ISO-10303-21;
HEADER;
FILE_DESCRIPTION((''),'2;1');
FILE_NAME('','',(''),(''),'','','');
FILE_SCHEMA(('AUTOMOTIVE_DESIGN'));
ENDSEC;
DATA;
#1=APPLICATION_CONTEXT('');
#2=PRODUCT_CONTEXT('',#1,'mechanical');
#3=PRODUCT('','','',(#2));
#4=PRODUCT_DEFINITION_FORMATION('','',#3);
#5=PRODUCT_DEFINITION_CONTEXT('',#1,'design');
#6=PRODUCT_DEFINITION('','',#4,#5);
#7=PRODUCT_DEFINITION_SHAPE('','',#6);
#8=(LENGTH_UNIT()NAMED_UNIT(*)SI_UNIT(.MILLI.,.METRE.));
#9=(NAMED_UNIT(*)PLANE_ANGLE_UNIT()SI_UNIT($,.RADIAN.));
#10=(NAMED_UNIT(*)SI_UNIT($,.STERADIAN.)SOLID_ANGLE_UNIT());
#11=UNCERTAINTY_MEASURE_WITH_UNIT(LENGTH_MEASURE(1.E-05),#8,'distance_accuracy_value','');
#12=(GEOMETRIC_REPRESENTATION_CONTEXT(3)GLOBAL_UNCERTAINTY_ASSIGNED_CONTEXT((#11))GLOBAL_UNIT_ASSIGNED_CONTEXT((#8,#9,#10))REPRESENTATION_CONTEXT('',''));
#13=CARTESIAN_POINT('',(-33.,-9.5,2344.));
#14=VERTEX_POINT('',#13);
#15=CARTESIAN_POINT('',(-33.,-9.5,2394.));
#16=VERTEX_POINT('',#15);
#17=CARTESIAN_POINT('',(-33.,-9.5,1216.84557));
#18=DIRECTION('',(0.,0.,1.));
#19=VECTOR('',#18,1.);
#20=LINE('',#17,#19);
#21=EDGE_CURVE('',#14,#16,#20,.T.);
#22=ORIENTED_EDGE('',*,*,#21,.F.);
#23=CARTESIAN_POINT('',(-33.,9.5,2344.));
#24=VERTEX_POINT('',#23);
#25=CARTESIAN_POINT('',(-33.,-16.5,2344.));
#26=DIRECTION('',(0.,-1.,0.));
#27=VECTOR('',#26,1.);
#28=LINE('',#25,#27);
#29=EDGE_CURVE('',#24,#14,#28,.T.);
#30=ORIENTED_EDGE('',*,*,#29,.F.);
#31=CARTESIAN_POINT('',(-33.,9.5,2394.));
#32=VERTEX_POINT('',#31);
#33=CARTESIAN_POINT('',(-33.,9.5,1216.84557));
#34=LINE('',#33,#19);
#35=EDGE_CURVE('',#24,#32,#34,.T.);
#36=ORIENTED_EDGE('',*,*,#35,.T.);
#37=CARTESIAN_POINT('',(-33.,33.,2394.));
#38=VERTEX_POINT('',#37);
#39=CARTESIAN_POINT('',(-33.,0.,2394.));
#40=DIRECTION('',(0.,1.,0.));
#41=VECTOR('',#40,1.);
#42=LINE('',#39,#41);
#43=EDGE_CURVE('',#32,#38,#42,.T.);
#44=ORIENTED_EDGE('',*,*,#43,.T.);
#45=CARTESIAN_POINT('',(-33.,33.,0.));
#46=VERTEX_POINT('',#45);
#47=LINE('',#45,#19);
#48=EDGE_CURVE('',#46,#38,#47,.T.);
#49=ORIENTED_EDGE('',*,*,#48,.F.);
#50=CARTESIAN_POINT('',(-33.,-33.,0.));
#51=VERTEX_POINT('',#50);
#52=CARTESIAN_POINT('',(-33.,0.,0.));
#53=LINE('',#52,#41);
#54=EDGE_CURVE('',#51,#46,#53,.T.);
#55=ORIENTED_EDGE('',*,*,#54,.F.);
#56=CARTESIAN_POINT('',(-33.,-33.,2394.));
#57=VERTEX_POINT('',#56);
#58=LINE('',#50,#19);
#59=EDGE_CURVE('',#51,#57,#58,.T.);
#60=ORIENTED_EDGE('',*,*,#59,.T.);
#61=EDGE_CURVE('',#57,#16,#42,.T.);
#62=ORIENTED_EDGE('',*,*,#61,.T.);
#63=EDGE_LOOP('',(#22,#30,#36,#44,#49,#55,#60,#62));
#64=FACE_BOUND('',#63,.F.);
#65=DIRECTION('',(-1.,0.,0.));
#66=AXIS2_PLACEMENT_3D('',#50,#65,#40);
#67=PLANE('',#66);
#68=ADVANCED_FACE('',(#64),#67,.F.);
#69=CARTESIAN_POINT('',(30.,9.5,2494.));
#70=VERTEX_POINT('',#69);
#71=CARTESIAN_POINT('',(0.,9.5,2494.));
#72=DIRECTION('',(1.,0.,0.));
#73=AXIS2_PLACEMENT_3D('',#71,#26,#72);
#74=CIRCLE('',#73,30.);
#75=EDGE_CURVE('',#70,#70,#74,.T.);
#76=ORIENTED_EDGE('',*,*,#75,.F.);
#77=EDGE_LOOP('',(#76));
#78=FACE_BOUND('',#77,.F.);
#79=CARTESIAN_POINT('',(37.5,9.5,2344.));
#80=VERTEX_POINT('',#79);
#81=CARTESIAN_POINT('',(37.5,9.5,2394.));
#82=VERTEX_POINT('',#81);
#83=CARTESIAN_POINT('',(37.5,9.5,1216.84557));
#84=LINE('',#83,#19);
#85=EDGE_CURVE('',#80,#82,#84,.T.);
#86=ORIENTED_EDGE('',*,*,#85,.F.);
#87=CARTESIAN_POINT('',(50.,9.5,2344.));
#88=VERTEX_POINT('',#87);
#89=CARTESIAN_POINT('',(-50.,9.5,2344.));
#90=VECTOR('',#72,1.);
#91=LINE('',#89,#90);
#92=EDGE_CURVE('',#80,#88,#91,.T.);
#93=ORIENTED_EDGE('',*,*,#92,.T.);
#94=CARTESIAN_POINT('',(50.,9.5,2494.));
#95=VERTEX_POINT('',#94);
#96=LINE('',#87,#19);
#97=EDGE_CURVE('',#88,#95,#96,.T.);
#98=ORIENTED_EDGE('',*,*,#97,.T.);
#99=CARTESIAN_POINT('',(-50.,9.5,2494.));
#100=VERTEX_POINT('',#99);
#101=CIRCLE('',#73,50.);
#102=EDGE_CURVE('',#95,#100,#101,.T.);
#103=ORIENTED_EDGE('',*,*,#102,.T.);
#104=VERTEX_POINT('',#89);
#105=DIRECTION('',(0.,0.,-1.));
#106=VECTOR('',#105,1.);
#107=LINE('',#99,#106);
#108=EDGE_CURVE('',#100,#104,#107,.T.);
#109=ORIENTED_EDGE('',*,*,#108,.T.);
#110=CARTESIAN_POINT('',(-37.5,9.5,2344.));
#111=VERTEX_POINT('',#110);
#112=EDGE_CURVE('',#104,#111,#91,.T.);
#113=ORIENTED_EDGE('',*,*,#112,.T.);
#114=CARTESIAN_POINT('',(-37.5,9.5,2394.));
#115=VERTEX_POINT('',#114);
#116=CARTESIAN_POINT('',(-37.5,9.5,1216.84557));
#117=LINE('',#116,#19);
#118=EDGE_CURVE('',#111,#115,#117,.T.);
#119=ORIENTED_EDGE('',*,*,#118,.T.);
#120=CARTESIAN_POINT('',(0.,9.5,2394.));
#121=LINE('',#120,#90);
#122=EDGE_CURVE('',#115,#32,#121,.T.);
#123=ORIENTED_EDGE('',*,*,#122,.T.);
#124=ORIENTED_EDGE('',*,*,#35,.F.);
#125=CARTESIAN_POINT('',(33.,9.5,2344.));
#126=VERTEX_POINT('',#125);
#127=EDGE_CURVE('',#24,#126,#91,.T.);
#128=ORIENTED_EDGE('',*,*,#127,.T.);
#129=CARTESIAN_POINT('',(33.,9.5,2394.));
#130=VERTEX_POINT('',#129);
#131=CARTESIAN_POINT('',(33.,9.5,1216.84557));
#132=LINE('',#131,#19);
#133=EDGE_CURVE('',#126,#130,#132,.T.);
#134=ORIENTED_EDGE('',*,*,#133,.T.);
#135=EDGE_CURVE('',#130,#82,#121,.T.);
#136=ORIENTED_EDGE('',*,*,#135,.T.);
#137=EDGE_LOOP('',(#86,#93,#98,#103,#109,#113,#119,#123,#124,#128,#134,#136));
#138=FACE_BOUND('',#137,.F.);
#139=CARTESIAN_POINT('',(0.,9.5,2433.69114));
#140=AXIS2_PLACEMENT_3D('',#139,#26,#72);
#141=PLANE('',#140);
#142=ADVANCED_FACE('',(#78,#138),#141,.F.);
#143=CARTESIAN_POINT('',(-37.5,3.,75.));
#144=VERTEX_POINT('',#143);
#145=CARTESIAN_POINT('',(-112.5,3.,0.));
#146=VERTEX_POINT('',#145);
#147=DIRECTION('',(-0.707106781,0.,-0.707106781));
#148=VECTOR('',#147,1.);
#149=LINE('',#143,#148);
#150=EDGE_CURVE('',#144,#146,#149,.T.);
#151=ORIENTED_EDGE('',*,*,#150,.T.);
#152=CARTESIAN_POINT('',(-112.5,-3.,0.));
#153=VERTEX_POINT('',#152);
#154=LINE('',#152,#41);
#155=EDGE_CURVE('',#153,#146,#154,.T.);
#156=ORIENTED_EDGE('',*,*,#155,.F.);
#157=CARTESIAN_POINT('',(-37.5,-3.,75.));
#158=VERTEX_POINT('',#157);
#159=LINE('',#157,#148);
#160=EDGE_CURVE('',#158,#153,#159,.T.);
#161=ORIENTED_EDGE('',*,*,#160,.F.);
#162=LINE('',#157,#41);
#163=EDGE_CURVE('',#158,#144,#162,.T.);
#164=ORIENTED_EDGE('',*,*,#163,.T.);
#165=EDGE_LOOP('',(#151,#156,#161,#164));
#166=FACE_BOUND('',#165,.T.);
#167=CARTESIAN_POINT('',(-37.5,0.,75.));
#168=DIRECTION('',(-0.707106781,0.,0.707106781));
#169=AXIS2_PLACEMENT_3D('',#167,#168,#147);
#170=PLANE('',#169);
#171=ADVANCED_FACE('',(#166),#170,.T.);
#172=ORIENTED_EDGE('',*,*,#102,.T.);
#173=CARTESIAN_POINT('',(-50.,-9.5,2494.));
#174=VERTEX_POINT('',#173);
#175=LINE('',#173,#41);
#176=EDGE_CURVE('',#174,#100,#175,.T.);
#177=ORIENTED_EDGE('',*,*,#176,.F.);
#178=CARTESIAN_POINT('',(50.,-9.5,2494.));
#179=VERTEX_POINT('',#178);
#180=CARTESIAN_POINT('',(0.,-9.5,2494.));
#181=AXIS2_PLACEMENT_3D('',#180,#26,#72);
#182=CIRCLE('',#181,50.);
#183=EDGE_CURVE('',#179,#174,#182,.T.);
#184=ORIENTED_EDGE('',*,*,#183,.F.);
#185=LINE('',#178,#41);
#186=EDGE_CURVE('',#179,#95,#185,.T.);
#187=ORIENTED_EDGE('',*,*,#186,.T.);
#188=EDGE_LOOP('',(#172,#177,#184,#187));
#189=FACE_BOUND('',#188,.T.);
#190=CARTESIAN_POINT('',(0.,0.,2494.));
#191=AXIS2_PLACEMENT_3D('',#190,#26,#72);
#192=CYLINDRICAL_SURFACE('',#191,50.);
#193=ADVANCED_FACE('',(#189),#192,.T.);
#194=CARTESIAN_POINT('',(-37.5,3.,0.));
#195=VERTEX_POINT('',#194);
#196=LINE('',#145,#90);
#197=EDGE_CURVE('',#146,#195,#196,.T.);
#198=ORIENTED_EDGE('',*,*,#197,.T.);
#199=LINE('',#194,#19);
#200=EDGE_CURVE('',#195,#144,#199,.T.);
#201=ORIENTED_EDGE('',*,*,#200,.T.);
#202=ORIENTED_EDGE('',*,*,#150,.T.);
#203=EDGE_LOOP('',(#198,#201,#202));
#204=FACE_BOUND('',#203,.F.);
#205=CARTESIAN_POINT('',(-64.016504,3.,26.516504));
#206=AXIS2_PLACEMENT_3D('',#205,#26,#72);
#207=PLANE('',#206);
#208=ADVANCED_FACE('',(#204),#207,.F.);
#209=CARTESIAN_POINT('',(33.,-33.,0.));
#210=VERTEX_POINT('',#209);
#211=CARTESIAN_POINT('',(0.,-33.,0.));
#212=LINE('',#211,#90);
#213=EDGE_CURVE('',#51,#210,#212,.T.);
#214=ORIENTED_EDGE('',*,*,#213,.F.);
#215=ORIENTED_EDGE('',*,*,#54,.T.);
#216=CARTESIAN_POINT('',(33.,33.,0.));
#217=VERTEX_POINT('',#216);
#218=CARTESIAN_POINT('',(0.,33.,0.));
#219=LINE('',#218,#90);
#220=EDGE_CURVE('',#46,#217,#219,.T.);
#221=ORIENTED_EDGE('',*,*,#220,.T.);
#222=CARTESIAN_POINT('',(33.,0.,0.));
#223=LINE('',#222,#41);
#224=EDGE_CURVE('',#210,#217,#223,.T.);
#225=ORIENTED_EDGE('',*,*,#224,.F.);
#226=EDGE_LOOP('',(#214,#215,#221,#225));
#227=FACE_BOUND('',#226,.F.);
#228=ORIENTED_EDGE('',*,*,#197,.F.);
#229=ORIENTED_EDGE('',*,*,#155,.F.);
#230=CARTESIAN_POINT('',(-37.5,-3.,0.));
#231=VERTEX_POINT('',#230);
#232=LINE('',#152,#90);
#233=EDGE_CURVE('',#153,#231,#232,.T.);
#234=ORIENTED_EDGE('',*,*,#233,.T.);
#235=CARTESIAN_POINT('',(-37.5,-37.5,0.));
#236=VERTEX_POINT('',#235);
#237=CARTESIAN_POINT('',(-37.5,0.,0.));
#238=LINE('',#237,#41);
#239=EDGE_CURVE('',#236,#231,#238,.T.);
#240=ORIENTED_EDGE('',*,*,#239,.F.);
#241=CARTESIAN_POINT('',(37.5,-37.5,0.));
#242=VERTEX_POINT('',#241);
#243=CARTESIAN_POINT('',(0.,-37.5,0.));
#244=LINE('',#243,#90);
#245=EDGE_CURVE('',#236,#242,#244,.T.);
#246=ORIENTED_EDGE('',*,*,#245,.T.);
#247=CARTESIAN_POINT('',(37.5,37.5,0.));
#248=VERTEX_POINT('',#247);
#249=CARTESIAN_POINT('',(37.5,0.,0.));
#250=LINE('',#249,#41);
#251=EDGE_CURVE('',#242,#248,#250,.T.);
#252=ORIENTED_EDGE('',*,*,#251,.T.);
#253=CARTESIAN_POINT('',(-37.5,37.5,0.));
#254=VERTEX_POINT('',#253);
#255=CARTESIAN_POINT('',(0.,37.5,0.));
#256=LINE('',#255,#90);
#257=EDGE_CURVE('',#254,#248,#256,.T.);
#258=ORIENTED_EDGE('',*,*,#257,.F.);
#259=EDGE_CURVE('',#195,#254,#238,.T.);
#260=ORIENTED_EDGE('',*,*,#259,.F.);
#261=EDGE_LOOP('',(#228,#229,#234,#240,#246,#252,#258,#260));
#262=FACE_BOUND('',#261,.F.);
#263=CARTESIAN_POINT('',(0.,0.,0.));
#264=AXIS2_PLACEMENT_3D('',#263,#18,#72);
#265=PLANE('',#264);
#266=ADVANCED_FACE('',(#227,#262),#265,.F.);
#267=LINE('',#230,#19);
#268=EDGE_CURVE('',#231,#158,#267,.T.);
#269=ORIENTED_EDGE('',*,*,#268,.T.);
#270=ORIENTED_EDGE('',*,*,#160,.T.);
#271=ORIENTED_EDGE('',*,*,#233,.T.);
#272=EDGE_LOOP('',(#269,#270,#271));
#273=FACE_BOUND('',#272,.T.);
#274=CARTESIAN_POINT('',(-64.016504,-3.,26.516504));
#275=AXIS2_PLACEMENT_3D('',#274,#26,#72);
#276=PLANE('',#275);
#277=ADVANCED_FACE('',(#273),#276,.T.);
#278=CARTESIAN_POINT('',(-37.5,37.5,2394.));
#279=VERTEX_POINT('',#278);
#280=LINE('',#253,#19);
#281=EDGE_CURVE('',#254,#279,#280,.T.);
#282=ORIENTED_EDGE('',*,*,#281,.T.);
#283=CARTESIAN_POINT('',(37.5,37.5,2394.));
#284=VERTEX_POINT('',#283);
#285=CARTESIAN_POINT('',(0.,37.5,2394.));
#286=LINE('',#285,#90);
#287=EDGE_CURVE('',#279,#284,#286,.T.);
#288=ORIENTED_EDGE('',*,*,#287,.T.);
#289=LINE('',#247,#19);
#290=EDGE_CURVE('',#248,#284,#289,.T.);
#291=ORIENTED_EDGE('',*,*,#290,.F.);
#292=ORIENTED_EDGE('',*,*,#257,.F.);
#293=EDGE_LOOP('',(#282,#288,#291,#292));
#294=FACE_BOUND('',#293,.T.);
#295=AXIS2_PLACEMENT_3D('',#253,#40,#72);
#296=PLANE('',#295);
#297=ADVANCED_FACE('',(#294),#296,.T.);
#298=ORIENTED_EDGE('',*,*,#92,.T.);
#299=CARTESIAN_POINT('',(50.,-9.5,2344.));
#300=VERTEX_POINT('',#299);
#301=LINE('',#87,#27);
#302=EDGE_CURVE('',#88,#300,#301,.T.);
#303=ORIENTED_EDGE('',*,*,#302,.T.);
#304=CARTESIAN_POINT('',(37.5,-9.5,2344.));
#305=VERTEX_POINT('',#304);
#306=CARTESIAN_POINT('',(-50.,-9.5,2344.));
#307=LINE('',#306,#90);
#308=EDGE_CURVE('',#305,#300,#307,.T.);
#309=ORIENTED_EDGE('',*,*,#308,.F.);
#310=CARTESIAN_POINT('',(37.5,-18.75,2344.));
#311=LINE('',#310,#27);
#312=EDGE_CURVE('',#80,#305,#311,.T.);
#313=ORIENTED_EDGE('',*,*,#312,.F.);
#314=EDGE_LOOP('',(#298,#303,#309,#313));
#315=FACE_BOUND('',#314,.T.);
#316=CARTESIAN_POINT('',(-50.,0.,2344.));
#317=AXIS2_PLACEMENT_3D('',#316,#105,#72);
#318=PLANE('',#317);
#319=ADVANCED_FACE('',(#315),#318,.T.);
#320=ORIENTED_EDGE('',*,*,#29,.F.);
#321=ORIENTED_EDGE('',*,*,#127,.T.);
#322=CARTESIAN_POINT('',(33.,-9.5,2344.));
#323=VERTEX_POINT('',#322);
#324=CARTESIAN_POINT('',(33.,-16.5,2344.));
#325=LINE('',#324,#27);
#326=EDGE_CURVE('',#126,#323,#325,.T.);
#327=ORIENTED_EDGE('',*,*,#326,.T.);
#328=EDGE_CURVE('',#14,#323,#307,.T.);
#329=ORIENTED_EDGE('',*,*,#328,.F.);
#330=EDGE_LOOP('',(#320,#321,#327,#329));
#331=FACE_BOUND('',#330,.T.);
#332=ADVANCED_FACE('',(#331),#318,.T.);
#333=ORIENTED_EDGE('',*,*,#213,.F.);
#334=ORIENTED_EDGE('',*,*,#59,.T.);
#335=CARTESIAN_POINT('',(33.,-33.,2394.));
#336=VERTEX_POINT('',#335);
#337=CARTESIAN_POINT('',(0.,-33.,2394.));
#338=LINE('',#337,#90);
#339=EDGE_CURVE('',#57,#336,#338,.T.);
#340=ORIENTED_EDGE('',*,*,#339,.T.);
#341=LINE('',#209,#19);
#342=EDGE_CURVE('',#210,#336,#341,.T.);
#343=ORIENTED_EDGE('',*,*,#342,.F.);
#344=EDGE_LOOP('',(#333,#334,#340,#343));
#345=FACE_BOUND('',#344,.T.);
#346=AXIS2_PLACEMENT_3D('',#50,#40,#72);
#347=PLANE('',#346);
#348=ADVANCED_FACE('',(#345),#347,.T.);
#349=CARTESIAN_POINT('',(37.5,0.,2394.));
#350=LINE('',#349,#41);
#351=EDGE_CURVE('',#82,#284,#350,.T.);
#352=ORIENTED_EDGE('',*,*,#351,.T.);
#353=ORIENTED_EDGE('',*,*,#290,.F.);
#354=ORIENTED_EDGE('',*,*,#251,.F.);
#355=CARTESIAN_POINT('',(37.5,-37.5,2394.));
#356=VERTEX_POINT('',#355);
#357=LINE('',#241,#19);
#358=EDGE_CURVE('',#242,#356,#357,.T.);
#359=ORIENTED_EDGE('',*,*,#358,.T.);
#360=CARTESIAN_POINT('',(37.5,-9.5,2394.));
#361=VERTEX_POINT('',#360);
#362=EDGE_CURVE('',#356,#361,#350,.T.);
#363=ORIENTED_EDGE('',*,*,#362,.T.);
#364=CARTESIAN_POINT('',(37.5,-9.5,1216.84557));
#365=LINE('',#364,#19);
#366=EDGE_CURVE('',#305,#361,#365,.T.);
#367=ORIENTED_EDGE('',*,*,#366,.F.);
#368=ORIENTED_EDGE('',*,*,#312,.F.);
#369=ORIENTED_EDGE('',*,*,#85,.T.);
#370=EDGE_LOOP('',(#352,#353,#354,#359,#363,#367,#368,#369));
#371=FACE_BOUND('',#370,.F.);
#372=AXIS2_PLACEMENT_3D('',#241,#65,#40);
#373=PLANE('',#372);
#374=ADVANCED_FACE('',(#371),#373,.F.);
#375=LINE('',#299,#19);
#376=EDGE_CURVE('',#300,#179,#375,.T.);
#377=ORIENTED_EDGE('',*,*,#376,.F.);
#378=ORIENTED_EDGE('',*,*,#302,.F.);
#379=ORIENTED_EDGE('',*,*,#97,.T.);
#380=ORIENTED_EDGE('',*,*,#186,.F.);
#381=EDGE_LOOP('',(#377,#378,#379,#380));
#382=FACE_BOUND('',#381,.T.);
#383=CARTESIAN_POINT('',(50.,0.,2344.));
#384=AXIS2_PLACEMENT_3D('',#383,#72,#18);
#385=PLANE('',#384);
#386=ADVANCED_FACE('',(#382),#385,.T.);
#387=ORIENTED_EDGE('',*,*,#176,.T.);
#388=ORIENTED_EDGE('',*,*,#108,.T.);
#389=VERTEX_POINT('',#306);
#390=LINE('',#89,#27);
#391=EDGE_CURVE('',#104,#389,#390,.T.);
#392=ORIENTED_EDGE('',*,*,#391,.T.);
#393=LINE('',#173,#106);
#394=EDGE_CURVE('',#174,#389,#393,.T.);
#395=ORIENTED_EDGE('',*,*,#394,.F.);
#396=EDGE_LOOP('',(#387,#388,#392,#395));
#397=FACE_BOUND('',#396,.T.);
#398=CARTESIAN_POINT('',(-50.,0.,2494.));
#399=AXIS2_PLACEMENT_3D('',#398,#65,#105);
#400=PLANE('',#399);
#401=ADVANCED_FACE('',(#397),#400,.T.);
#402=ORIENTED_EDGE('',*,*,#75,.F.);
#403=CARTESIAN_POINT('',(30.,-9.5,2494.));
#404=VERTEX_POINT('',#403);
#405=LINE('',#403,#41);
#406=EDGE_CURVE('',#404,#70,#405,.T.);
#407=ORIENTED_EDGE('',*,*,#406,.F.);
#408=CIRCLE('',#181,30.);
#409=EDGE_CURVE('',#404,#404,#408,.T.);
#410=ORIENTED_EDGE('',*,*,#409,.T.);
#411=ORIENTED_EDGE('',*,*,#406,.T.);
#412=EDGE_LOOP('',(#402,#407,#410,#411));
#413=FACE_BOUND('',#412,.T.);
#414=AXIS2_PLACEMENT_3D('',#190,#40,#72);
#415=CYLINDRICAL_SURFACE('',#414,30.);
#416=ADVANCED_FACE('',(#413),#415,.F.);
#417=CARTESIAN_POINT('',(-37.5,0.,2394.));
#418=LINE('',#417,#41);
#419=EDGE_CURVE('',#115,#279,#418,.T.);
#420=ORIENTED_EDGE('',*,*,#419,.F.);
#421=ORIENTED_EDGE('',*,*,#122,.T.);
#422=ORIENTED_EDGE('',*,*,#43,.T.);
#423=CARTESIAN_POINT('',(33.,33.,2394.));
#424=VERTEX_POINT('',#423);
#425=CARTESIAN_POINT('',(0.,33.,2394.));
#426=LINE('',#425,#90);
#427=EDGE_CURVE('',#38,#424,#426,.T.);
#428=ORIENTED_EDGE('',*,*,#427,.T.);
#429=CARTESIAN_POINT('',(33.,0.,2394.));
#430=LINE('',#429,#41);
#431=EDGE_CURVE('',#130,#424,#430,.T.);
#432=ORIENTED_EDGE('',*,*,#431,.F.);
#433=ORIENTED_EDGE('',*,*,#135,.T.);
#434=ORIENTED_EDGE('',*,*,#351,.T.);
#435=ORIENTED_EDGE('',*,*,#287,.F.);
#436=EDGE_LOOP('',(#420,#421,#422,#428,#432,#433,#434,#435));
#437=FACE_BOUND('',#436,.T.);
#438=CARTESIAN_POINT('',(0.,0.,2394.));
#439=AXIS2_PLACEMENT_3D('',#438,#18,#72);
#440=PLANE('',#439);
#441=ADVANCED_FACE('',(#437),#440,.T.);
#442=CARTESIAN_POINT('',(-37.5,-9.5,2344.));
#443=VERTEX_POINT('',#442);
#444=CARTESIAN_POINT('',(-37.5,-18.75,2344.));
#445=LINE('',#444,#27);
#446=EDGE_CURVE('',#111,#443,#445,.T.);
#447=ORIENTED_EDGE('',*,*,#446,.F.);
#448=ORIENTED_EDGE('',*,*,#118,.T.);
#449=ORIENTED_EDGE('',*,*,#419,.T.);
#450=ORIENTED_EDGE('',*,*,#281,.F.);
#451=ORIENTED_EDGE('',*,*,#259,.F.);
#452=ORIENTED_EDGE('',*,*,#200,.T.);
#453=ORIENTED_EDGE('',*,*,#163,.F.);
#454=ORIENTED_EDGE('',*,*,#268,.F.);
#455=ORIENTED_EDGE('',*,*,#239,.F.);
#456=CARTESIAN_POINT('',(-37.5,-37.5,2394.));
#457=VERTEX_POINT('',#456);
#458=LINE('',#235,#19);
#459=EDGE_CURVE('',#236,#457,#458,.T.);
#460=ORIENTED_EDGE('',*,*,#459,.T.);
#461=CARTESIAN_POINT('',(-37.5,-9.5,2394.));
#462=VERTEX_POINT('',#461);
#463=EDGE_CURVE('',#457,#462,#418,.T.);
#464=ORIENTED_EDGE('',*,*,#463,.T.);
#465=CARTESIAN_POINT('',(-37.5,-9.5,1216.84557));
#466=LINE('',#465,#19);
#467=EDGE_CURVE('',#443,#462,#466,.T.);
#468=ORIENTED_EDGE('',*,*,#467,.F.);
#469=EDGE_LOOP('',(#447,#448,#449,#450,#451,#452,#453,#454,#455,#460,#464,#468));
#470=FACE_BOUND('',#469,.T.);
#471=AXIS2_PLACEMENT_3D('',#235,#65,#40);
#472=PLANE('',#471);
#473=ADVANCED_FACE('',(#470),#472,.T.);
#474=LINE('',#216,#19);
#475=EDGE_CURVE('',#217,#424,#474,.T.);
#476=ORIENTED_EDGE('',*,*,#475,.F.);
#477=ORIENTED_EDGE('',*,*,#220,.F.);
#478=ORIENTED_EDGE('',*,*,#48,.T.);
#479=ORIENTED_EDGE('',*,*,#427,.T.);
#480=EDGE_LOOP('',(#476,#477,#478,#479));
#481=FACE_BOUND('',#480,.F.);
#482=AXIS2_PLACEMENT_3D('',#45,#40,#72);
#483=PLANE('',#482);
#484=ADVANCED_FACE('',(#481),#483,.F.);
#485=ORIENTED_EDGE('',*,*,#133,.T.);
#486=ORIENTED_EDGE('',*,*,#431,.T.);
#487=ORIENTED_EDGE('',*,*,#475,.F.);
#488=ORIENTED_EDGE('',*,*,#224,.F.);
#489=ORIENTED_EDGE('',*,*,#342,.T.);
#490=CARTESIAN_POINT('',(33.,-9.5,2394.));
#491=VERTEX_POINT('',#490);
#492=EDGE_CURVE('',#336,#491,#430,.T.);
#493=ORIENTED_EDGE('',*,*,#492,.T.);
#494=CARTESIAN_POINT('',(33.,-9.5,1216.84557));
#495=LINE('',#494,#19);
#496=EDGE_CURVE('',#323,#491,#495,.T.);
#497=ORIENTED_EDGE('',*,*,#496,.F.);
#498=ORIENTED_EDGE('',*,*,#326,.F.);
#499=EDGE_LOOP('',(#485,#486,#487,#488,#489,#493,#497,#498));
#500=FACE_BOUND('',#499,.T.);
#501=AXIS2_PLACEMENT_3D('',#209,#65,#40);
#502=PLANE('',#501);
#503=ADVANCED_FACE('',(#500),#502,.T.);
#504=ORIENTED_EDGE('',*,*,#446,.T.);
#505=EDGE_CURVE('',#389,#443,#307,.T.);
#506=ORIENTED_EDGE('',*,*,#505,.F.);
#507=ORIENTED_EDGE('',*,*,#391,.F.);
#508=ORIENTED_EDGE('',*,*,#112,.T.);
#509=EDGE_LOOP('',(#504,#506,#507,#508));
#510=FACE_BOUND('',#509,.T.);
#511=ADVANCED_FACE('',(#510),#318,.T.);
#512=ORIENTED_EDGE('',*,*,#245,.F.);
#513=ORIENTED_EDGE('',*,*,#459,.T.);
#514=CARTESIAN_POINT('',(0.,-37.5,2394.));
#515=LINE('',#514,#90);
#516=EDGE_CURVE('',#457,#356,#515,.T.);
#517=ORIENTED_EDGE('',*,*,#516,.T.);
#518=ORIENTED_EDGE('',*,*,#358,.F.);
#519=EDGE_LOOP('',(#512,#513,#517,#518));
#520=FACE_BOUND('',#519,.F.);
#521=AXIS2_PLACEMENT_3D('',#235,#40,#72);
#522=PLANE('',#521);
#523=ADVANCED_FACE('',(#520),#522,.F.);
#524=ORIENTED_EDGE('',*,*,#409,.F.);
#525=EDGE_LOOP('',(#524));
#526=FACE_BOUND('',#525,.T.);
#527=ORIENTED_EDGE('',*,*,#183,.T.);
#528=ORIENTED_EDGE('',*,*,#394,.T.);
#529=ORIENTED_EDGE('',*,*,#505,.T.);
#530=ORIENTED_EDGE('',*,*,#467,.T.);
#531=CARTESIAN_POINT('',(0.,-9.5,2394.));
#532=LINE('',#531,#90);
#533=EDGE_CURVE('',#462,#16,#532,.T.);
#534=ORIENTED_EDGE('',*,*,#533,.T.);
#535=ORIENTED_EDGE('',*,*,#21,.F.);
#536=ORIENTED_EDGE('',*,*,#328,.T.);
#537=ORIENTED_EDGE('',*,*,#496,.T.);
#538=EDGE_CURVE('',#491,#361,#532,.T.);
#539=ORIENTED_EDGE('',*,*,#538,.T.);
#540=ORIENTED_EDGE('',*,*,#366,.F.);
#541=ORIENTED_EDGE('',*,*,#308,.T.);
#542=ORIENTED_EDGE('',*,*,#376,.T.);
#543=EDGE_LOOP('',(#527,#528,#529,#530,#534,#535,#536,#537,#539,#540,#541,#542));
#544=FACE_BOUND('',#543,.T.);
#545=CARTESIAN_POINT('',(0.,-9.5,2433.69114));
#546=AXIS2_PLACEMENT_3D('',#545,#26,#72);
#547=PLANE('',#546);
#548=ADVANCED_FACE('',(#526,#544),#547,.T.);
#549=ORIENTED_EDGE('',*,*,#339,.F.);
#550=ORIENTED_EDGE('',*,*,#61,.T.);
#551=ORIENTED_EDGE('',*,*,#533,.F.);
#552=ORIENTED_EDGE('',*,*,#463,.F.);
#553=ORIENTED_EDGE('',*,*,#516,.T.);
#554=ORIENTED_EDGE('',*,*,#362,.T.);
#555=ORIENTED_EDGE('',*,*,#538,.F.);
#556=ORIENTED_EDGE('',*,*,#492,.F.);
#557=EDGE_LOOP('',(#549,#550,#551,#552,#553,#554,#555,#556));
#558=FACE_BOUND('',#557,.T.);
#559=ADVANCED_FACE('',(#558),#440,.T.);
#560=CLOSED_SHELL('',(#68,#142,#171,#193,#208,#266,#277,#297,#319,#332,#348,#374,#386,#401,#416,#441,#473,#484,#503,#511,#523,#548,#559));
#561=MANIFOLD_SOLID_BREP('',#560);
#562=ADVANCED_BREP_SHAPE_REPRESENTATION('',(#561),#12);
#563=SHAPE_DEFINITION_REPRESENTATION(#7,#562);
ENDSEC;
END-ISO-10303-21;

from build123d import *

# Parameters (mm, degrees)
F0_W     = 75
F0_H     = 75
F0_W_2   = 66
F0_H_2   = 66
F1_DEPTH = 2394
F2_R     = 30
F3_DEPTH = 9.5
F5_DEPTH = 3


with BuildPart() as f1:
    # F0 (on Top) → F1 (new body)
    with BuildSketch(Plane.XY):
        Rectangle(F0_W, F0_H)
        Rectangle(F0_W_2, F0_H_2, mode=Mode.SUBTRACT)
    extrude(amount=F1_DEPTH)

    # F2 (on Front) → F3 (join, symmetric)
    with BuildSketch(Plane.XZ):
        with BuildLine():
            Line((-50, 2494), (-50, 2344))
            Line((-50, 2344), (50, 2344))
            Line((50, 2344), (50, 2494))
            ThreePointArc((50, 2494), (0, 2544), (-50, 2494))
        make_face()
        with Locations((0, 2494)):
            Circle(F2_R, mode=Mode.SUBTRACT)
    extrude(amount=F3_DEPTH, both=True)

    # F4 (on Front) → F5 (join, symmetric)
    with BuildSketch(Plane.XZ):
        Polygon((-112.5, 0), (-37.5, 0), (-37.5, 75), align=None)
    extrude(amount=F5_DEPTH, both=True)


solid = f1.part
